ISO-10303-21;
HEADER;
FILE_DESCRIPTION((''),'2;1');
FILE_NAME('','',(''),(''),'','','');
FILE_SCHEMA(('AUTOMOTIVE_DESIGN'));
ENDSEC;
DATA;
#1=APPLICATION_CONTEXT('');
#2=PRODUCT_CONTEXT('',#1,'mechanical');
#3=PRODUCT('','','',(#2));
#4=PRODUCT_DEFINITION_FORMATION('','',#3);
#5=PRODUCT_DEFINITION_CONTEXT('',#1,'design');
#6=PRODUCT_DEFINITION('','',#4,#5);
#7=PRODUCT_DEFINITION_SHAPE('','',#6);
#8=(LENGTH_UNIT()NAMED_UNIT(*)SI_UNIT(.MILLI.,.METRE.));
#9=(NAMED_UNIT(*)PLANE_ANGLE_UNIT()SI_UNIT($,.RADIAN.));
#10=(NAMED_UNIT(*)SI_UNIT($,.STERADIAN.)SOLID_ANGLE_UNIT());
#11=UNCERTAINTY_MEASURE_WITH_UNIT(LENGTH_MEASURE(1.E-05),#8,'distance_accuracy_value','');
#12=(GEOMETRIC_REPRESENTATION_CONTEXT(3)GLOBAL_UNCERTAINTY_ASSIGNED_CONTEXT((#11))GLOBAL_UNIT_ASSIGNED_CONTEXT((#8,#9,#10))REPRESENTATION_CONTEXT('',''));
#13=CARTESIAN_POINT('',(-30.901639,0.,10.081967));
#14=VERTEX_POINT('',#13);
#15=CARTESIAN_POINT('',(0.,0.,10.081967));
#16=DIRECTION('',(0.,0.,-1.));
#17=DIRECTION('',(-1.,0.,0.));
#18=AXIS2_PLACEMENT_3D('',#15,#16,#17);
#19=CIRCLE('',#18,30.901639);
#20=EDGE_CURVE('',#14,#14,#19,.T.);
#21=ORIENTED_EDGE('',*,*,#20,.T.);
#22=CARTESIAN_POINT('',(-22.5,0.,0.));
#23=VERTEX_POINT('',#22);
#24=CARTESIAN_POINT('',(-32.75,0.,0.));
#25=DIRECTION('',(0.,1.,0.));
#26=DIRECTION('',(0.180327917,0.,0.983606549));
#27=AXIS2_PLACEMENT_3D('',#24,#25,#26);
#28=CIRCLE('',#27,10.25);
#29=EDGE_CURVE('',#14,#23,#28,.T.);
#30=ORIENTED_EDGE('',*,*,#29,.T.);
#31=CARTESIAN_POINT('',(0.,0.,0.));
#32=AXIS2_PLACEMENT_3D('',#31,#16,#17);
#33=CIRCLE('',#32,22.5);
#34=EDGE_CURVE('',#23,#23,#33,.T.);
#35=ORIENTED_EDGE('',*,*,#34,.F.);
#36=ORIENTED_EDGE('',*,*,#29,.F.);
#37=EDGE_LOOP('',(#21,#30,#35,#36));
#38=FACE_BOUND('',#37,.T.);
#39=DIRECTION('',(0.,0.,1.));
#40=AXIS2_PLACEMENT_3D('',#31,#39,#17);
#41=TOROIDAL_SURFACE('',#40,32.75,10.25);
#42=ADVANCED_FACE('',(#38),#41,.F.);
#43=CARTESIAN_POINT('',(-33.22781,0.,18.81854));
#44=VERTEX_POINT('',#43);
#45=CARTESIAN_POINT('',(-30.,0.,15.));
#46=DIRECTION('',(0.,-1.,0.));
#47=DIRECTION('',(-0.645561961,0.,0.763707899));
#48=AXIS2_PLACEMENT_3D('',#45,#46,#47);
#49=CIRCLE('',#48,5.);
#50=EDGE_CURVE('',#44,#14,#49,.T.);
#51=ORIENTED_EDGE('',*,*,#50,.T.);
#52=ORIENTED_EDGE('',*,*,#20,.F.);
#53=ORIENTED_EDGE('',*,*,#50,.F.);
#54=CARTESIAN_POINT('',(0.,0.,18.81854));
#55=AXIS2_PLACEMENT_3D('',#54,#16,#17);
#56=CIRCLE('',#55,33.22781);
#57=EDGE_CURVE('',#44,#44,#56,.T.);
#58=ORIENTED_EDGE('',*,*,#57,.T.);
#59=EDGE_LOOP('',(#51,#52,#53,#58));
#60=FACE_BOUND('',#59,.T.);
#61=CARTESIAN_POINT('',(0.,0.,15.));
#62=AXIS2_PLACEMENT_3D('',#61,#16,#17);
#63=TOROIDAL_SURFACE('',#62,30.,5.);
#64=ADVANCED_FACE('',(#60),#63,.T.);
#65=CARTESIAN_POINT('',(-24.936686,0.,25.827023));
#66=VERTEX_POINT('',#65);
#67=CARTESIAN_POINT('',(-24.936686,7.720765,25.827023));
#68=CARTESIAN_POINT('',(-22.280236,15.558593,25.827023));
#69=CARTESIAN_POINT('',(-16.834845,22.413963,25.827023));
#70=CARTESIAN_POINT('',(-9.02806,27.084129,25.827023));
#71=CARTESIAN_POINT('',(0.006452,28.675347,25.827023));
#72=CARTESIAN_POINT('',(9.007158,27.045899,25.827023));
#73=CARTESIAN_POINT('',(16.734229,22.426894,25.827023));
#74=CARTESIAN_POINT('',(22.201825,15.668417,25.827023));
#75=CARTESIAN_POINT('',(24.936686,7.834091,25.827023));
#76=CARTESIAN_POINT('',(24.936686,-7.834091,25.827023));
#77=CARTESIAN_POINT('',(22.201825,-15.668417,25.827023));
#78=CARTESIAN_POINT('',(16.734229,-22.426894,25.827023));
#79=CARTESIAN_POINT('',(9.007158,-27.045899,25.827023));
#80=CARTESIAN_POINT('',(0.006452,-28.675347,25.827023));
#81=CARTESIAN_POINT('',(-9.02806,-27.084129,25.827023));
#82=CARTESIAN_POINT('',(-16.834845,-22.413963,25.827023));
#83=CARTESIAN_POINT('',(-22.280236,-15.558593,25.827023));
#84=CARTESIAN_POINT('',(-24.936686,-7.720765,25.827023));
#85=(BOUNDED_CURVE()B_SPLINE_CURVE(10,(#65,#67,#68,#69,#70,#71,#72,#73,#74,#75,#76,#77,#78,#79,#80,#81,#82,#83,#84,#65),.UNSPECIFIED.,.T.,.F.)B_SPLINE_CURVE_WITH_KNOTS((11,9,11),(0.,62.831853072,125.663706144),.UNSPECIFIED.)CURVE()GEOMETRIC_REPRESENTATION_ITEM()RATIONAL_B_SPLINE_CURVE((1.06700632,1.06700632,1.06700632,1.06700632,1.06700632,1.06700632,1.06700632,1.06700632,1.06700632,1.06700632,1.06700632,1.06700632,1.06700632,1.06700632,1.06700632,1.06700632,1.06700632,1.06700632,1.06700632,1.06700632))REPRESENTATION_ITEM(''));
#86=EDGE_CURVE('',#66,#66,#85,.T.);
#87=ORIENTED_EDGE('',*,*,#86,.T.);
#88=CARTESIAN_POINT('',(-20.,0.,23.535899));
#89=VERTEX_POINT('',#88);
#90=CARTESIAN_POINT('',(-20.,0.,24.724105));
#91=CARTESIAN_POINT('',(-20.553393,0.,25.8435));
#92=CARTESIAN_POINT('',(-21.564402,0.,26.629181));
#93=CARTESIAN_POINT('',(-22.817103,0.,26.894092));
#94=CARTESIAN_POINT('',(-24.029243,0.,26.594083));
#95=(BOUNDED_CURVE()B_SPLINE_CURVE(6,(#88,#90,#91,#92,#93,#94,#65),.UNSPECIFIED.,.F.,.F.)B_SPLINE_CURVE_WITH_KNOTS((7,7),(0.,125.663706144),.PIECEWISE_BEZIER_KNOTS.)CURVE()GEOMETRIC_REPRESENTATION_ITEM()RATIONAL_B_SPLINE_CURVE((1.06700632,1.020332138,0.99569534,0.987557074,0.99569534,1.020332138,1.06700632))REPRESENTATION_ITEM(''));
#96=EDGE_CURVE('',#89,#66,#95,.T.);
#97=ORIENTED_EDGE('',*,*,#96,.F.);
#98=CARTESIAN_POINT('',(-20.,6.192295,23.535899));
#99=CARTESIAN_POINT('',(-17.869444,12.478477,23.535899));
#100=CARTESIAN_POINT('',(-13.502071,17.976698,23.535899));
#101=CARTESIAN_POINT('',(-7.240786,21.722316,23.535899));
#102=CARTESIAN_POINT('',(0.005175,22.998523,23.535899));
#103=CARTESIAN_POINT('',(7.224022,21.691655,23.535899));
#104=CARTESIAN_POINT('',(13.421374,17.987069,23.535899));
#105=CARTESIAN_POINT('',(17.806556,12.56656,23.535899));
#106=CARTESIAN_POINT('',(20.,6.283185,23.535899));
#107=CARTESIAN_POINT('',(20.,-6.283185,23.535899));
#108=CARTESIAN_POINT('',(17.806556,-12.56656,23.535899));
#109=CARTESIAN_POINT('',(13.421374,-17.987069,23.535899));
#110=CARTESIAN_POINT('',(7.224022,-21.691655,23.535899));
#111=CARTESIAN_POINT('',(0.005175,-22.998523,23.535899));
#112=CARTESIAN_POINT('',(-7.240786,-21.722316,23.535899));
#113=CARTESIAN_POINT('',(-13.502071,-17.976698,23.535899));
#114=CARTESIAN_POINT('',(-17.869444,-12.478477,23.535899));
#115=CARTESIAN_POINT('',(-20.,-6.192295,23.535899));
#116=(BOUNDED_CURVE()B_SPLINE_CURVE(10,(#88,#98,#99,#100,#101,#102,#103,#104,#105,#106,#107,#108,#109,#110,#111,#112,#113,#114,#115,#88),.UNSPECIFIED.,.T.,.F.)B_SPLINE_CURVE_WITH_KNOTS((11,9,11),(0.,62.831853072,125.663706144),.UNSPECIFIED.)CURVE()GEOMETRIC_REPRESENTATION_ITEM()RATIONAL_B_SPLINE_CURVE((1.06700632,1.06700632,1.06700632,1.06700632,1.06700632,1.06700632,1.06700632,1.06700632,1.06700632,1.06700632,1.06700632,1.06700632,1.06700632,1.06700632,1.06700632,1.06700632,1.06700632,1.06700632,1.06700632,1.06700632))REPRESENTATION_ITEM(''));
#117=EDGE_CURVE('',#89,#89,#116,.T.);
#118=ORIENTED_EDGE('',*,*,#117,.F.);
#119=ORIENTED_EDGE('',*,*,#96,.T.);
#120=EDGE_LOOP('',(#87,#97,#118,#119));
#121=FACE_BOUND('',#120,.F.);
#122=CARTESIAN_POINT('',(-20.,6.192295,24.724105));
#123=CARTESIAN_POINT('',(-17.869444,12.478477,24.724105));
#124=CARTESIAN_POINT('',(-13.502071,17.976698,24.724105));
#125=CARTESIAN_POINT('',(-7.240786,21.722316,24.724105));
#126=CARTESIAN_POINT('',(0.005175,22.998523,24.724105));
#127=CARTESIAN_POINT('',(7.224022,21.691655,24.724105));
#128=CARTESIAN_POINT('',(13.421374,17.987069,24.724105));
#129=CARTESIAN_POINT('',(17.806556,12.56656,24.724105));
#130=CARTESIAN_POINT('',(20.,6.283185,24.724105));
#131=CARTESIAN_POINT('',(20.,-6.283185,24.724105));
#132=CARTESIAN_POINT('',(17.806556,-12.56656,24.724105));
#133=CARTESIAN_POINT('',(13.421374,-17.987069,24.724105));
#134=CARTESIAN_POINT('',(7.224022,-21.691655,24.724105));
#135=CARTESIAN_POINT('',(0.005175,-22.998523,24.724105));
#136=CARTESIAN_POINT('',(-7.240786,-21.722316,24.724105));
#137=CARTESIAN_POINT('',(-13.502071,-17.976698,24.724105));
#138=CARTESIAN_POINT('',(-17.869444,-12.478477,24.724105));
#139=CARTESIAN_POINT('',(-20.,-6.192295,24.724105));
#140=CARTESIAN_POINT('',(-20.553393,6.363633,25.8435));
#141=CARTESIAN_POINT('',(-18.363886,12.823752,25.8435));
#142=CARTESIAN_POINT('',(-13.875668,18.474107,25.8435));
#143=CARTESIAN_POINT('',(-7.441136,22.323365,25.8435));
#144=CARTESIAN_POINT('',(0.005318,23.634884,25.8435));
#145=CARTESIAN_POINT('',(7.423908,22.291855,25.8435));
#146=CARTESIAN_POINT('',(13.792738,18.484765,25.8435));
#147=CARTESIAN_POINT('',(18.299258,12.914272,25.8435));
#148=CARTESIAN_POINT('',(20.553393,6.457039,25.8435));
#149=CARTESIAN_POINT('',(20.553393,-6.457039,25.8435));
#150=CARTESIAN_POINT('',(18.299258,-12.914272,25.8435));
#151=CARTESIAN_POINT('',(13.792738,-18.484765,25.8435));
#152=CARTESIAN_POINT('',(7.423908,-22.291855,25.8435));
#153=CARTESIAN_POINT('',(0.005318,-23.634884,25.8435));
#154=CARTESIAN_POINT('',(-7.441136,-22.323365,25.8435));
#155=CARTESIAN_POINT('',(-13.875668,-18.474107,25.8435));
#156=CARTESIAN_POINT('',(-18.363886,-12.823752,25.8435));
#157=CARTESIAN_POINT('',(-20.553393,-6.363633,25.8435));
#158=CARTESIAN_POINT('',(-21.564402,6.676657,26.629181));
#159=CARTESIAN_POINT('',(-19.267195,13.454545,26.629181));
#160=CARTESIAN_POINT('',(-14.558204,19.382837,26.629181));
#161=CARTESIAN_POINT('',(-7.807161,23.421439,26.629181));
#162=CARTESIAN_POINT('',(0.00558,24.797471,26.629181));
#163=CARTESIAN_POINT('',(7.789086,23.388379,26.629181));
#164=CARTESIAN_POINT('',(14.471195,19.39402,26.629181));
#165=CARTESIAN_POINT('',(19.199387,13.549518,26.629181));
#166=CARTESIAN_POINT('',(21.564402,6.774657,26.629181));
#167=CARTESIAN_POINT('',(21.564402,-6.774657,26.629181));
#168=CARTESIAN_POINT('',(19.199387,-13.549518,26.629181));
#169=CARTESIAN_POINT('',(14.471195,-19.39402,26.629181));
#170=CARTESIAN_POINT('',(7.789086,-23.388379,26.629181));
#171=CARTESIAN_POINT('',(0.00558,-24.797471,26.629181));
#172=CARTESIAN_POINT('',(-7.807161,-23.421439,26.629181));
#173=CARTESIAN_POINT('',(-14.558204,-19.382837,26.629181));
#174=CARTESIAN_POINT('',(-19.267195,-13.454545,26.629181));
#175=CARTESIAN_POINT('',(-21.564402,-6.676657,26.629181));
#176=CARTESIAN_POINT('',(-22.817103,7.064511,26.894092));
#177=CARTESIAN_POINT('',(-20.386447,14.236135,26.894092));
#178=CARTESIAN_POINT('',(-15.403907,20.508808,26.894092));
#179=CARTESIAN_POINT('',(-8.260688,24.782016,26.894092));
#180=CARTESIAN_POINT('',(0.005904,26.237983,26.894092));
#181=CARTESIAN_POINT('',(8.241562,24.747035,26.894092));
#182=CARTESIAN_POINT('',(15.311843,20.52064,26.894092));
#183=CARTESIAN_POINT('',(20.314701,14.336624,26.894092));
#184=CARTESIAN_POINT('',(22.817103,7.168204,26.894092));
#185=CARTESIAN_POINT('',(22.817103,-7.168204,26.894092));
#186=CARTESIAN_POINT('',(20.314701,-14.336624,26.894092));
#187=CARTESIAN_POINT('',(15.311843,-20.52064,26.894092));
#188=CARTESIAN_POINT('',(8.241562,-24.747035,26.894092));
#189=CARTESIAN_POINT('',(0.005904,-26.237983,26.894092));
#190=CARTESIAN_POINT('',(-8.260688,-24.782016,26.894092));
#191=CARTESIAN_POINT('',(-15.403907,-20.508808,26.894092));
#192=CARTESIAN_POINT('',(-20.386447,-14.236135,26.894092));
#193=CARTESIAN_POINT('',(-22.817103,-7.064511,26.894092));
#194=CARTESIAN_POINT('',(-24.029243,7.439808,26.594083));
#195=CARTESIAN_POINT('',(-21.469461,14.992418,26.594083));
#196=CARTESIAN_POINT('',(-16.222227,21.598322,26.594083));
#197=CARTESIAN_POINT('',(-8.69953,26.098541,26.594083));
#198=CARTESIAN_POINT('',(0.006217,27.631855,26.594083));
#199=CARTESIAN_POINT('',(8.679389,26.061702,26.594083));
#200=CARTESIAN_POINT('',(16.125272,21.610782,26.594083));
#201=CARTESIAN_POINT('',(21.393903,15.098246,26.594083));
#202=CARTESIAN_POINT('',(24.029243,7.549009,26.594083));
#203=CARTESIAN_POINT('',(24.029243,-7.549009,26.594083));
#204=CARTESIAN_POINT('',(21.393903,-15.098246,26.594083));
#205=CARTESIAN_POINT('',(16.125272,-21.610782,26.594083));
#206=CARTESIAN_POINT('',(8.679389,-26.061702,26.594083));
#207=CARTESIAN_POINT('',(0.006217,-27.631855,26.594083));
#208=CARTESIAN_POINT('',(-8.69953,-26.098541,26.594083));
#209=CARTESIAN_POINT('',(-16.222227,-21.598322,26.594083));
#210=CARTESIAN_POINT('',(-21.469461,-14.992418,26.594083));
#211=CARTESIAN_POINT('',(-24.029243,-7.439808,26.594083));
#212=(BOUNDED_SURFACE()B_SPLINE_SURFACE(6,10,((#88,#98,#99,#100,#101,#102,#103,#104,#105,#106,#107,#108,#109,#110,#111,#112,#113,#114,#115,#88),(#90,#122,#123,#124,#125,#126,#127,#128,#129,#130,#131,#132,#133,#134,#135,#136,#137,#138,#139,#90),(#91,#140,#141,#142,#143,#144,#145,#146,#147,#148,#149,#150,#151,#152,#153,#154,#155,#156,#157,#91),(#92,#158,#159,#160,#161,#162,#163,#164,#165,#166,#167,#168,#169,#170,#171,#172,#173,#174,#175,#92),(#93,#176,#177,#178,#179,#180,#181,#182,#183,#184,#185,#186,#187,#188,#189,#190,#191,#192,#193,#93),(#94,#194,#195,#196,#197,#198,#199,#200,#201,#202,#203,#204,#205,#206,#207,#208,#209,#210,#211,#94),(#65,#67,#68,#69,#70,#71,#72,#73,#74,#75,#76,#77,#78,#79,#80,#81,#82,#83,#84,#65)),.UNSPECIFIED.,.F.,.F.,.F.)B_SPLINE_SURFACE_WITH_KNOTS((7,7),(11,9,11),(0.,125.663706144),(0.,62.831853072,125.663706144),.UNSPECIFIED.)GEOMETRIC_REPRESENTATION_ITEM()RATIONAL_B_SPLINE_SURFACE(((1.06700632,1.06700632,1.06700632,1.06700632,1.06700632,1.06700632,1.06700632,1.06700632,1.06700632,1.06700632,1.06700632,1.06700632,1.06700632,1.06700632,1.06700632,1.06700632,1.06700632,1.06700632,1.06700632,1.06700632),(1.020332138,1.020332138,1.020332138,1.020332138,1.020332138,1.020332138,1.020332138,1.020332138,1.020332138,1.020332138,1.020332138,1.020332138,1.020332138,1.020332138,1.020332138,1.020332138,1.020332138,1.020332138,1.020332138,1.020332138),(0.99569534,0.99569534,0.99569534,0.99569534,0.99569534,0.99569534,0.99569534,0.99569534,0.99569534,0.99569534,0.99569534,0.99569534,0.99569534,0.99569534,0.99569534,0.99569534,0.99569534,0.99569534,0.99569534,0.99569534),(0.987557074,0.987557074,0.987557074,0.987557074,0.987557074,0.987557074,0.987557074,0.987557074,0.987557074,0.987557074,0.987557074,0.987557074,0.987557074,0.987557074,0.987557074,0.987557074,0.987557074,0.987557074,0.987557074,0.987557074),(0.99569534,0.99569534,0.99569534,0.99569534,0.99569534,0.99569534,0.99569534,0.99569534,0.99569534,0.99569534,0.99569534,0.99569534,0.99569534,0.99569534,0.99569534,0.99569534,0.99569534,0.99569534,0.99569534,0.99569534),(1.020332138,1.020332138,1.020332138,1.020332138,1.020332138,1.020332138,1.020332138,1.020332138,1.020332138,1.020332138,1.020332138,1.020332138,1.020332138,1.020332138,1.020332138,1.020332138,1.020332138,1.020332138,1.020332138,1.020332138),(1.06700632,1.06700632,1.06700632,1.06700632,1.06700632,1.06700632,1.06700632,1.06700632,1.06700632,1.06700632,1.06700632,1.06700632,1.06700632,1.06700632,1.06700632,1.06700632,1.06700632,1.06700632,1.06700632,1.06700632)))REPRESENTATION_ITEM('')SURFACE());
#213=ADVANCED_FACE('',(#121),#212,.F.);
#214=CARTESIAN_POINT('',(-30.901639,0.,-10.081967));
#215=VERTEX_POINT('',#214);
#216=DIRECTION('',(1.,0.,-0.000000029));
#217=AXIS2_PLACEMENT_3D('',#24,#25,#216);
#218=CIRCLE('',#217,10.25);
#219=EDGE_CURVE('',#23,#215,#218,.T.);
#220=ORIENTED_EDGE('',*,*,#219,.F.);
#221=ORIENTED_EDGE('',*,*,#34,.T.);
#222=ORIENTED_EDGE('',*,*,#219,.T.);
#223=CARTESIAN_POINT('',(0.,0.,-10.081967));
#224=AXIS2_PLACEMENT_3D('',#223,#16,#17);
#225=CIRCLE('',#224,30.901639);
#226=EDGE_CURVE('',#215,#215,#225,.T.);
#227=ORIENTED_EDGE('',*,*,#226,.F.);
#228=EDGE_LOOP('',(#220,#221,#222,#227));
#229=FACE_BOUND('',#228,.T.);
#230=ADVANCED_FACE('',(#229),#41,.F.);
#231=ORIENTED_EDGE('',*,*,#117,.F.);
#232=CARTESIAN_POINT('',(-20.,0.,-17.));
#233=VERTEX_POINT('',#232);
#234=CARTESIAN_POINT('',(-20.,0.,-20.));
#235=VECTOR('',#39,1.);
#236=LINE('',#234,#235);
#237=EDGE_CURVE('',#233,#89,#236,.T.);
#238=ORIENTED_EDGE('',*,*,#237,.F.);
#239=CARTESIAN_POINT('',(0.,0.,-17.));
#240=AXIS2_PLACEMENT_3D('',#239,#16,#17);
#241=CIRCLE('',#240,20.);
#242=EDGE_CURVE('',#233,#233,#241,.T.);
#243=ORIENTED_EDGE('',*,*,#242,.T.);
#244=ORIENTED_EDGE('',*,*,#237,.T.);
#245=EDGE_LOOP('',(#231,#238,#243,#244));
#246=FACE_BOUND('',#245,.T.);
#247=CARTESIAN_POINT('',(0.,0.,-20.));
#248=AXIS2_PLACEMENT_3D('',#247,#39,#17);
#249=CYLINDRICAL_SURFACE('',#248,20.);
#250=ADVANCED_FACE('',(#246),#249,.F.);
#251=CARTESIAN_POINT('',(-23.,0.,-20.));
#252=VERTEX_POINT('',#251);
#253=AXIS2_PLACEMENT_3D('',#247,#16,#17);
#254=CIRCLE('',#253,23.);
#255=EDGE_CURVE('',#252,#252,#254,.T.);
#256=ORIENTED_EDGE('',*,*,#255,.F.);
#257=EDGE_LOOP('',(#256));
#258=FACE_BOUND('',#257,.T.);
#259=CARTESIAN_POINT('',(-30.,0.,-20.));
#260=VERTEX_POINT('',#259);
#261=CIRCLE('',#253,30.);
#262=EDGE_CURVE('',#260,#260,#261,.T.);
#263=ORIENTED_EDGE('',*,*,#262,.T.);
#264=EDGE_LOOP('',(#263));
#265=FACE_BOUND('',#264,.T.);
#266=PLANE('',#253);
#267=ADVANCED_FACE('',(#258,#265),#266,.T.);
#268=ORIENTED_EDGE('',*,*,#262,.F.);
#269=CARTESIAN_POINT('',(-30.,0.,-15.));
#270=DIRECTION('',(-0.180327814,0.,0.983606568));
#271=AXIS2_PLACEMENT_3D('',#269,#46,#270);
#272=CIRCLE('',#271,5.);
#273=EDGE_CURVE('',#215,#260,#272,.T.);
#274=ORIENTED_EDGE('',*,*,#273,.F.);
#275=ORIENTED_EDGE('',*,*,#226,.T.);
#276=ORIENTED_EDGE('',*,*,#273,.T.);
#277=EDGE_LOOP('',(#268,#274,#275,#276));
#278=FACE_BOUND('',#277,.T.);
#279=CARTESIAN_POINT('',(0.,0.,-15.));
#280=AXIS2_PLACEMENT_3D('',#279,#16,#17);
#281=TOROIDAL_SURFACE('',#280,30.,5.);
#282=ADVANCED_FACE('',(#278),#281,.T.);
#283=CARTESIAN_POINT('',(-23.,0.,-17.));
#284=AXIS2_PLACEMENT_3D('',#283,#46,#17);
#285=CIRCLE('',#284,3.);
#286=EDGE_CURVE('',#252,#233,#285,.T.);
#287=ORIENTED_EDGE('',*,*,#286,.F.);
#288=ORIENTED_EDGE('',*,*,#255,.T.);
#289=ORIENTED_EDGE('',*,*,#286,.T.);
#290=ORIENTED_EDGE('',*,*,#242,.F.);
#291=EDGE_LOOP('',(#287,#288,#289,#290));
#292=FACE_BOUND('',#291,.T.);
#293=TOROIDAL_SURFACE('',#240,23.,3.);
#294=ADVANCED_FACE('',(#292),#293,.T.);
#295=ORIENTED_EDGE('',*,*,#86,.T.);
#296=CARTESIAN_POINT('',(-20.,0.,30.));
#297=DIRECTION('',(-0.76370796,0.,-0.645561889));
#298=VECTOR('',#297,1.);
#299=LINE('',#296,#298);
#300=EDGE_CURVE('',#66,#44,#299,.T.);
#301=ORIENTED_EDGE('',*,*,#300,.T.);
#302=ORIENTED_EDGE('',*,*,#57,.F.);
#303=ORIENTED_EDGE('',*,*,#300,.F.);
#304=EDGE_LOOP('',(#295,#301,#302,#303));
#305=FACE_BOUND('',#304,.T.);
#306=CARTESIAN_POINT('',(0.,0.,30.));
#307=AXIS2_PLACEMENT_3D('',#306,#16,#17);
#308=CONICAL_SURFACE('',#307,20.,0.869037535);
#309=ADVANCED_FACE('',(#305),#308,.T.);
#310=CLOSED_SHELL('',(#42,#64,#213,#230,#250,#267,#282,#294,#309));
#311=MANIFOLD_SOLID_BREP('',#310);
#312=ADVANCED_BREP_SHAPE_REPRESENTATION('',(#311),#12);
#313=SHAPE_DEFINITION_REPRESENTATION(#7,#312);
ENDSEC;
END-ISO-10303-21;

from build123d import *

# Parameters (mm, degrees)
F2_R = 3


with BuildPart() as f1:
    # F0 (on Front) → F1 (revolve)
    with BuildSketch(Plane.XZ):
        with BuildLine():
            Line((-20, 20), (-30, 20))
            ThreePointArc((-30, 20), (-31.718619, 19.695354), (-33.22781, 18.81854))
            ThreePointArc((-33.22781, 18.81854), (-34.831668, 13.713537), (-30.901639, 10.081967))
            ThreePointArc((-30.901639, 10.081967), (-24.875732, 6.56189), (-22.5, 0))
            ThreePointArc((-22.5, 0), (-24.875732, -6.56189), (-30.901639, -10.081967))
            ThreePointArc((-30.901639, -10.081967), (-34.979466, -15.452679), (-30, -20))
            Line((-30, -20), (-20, -20))
            Line((-20, -20), (-20, 0))
            Line((-20, 0), (-20, 20))
        make_face()
        with BuildLine():
            ThreePointArc((-33.22781, 18.81854), (-31.718619, 19.695354), (-30, 20))
            Line((-30, 20), (-20, 20))
            Line((-20, 20), (-20, 30))
            Line((-20, 30), (-33.22781, 18.81854))
        make_face()
    revolve(axis=Axis((0, 0, -1.177467), (0, 0, -1)))

    # F2
    f2_edges = [f1.edges().sort_by_distance(p)[0] for p in [
        (20, 0, -20),
        (20, 0, 30),
    ]]
    fillet(f2_edges, radius=F2_R)


solid = f1.part
